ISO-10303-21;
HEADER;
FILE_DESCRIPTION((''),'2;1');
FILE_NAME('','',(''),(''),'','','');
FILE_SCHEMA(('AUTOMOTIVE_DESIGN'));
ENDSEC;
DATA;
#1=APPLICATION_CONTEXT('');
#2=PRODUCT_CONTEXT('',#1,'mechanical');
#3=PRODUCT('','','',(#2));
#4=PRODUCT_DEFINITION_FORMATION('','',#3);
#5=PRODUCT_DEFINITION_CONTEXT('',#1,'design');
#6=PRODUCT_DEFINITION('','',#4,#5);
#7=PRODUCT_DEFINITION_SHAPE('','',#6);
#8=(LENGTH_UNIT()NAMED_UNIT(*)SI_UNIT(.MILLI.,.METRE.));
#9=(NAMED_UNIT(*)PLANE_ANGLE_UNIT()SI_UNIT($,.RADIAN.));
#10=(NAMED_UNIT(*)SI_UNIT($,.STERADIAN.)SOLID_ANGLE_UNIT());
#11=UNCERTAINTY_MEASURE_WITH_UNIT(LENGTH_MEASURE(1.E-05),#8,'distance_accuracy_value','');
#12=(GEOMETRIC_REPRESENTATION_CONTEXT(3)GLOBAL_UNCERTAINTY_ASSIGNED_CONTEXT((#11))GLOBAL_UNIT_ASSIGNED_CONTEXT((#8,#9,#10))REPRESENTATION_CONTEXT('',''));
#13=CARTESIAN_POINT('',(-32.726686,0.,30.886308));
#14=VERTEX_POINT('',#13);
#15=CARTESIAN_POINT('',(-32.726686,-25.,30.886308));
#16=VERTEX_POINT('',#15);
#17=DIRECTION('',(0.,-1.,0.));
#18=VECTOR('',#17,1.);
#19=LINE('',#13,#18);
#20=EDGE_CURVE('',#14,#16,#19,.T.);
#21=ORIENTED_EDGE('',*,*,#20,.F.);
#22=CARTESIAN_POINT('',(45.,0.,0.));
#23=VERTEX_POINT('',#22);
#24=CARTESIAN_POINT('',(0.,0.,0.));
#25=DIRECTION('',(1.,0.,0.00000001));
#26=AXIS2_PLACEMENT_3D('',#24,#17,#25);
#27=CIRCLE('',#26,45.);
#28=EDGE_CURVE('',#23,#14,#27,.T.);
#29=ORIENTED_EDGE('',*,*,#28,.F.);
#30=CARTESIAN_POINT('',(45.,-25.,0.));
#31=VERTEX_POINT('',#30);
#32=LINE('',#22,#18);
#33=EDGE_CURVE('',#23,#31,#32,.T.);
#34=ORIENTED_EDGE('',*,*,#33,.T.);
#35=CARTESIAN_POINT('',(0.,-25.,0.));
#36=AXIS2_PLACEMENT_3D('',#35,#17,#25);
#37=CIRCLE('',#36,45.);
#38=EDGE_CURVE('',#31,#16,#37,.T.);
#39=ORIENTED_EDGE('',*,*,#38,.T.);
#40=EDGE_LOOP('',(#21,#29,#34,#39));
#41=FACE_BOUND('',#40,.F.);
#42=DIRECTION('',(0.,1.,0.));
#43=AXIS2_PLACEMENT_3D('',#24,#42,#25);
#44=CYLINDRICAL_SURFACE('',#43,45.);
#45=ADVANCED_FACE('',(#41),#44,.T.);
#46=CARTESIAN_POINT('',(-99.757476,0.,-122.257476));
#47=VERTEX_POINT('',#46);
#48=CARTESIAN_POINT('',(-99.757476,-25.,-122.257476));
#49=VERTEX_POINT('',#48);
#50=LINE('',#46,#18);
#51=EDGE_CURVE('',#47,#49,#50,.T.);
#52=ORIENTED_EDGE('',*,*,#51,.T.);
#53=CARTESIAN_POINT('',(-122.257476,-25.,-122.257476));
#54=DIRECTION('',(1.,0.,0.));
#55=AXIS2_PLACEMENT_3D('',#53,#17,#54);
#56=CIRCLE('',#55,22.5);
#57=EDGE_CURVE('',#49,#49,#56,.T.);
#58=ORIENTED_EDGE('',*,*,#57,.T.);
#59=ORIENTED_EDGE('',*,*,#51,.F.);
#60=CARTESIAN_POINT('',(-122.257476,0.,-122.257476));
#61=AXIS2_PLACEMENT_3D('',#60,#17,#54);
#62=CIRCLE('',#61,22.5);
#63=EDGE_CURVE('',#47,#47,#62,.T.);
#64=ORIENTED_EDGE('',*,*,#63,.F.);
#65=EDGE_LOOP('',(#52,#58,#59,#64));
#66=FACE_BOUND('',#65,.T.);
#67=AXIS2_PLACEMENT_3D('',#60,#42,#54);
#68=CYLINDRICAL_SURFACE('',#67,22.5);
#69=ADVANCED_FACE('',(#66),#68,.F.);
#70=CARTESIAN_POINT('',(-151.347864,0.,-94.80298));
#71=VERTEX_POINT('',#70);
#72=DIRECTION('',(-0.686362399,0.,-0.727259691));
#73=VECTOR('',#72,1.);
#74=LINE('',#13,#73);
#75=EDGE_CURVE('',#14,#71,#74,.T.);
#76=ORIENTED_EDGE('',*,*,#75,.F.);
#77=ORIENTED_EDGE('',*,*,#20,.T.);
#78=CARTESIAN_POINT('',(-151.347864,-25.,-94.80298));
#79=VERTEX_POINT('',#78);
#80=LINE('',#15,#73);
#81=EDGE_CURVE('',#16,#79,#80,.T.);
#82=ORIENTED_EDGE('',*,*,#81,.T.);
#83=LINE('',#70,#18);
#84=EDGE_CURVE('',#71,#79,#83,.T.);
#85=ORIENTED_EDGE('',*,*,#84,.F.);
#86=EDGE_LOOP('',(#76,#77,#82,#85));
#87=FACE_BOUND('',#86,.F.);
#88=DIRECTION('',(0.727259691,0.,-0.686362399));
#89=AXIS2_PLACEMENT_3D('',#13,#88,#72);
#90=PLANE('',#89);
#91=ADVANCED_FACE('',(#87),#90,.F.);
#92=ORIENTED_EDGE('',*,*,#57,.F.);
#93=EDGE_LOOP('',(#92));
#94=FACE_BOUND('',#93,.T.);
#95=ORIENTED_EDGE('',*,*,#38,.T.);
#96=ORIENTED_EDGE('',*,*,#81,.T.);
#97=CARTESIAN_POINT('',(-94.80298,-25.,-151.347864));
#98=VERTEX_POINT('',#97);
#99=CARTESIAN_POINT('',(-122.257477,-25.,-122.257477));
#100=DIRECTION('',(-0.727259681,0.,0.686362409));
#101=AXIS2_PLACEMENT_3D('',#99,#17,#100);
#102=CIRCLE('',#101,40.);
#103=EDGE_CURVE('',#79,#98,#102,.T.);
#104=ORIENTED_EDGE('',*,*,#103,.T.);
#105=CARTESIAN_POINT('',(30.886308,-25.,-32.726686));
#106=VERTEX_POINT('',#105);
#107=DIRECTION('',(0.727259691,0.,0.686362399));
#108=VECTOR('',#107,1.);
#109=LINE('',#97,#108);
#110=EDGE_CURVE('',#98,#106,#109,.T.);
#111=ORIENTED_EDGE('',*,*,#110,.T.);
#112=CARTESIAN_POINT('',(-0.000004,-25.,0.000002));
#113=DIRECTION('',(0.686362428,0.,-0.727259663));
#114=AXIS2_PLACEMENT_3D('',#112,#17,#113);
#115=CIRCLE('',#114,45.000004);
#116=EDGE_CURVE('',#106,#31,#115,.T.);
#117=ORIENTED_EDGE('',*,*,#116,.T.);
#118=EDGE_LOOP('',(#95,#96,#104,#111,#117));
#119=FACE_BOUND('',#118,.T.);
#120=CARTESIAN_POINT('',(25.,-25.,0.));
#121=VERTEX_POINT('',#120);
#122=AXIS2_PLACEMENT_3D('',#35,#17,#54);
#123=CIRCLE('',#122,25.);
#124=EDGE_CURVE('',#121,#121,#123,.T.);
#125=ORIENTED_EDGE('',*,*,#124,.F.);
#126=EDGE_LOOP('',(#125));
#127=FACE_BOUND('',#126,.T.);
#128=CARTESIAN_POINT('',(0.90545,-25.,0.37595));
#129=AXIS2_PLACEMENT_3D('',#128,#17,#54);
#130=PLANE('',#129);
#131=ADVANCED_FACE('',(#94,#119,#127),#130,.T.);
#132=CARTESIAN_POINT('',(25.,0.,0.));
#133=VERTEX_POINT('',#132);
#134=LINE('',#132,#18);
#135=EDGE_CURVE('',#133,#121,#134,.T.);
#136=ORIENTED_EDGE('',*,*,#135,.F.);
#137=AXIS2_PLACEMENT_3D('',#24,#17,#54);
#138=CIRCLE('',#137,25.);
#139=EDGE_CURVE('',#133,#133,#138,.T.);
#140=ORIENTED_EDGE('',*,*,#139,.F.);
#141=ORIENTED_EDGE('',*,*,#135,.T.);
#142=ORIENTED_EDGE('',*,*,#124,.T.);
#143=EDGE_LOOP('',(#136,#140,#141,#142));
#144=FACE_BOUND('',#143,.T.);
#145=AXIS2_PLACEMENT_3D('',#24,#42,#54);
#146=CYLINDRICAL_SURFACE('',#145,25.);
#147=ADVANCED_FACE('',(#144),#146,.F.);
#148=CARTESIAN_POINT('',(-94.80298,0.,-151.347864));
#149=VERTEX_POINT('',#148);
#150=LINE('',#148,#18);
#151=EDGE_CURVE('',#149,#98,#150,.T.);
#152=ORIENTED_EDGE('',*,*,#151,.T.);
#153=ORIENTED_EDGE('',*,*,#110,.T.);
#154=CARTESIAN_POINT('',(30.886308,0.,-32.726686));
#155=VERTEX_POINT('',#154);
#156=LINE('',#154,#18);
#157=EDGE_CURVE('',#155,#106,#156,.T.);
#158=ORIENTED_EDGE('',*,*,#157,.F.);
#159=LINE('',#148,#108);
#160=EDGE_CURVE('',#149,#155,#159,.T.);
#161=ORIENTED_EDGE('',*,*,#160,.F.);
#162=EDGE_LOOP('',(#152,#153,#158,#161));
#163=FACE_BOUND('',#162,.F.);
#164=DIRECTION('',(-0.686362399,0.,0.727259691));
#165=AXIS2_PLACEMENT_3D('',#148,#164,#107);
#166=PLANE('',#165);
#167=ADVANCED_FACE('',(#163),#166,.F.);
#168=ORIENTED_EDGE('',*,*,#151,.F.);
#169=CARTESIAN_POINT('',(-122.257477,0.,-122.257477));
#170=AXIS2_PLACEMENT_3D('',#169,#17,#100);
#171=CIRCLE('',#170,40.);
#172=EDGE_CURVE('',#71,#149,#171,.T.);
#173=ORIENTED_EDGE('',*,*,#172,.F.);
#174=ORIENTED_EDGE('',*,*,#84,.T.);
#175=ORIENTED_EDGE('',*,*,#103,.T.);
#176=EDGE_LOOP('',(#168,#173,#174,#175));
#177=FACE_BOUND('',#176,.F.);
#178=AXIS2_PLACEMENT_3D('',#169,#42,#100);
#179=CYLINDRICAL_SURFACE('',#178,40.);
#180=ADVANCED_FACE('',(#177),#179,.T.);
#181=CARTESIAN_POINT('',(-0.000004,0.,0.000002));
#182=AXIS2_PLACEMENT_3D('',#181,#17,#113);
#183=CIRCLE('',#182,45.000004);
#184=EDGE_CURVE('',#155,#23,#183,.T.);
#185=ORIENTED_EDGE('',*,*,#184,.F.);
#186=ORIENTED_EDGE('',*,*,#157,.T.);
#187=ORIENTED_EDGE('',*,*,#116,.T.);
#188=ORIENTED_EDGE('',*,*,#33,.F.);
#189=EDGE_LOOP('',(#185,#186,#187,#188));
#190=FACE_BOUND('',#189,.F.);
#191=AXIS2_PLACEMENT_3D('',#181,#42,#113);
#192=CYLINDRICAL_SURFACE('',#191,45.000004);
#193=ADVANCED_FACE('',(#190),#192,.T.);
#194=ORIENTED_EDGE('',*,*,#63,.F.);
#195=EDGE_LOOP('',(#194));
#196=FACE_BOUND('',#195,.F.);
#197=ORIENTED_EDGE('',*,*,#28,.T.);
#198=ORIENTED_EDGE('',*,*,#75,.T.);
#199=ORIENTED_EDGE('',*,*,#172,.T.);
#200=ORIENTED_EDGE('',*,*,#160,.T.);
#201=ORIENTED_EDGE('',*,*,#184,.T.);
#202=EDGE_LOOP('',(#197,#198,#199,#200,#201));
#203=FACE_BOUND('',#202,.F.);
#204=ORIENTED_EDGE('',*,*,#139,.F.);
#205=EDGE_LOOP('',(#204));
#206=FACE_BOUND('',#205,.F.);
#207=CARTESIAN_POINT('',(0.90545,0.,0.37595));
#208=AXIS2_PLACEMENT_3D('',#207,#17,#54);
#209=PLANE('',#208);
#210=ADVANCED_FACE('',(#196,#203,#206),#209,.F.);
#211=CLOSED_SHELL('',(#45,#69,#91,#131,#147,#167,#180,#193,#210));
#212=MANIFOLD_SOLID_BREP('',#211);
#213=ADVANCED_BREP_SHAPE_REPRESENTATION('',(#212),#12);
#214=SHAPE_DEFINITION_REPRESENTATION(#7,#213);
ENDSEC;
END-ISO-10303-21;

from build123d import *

# Parameters (mm, degrees)
F0_R     = 25
F0_R_2   = 22.5
F1_DEPTH = 25


with BuildPart() as f1:
    # F0 (on Front) → F1 (new body)
    with BuildSketch(Plane.XZ):
        with BuildLine():
            ThreePointArc((30.886308, -32.726686), (41.321204, -17.820159), (45, 0))
            ThreePointArc((45, 0), (16.617748, 41.819259), (-32.726686, 30.886308))
            ThreePointArc((-32.726686, 30.886308), (-31.819805, -31.819805), (30.886308, -32.726686))
        make_face()
        Circle(F0_R, mode=Mode.SUBTRACT)
        with BuildLine():
            ThreePointArc((30.886308, -32.726686), (-31.819805, -31.819805), (-32.726686, 30.886308))
            Line((-32.726686, 30.886308), (-151.347864, -94.80298))
            ThreePointArc((-151.347864, -94.80298), (-107.486144, -85.084801), (-82.257476, -122.257476))
            ThreePointArc((-82.257476, -122.257476), (-85.527517, -138.097618), (-94.80298, -151.347864))
            Line((-94.80298, -151.347864), (30.886308, -32.726686))
        make_face()
        with BuildLine():
            ThreePointArc((-82.257476, -122.257476), (-107.486144, -85.084801), (-151.347864, -94.80298))
            ThreePointArc((-151.347864, -94.80298), (-150.541748, -150.541748), (-94.80298, -151.347864))
            ThreePointArc((-94.80298, -151.347864), (-85.527517, -138.097618), (-82.257476, -122.257476))
        make_face()
        with Locations((-122.257476, -122.257476)):
            Circle(F0_R_2, mode=Mode.SUBTRACT)
    extrude(amount=F1_DEPTH)


solid = f1.part
